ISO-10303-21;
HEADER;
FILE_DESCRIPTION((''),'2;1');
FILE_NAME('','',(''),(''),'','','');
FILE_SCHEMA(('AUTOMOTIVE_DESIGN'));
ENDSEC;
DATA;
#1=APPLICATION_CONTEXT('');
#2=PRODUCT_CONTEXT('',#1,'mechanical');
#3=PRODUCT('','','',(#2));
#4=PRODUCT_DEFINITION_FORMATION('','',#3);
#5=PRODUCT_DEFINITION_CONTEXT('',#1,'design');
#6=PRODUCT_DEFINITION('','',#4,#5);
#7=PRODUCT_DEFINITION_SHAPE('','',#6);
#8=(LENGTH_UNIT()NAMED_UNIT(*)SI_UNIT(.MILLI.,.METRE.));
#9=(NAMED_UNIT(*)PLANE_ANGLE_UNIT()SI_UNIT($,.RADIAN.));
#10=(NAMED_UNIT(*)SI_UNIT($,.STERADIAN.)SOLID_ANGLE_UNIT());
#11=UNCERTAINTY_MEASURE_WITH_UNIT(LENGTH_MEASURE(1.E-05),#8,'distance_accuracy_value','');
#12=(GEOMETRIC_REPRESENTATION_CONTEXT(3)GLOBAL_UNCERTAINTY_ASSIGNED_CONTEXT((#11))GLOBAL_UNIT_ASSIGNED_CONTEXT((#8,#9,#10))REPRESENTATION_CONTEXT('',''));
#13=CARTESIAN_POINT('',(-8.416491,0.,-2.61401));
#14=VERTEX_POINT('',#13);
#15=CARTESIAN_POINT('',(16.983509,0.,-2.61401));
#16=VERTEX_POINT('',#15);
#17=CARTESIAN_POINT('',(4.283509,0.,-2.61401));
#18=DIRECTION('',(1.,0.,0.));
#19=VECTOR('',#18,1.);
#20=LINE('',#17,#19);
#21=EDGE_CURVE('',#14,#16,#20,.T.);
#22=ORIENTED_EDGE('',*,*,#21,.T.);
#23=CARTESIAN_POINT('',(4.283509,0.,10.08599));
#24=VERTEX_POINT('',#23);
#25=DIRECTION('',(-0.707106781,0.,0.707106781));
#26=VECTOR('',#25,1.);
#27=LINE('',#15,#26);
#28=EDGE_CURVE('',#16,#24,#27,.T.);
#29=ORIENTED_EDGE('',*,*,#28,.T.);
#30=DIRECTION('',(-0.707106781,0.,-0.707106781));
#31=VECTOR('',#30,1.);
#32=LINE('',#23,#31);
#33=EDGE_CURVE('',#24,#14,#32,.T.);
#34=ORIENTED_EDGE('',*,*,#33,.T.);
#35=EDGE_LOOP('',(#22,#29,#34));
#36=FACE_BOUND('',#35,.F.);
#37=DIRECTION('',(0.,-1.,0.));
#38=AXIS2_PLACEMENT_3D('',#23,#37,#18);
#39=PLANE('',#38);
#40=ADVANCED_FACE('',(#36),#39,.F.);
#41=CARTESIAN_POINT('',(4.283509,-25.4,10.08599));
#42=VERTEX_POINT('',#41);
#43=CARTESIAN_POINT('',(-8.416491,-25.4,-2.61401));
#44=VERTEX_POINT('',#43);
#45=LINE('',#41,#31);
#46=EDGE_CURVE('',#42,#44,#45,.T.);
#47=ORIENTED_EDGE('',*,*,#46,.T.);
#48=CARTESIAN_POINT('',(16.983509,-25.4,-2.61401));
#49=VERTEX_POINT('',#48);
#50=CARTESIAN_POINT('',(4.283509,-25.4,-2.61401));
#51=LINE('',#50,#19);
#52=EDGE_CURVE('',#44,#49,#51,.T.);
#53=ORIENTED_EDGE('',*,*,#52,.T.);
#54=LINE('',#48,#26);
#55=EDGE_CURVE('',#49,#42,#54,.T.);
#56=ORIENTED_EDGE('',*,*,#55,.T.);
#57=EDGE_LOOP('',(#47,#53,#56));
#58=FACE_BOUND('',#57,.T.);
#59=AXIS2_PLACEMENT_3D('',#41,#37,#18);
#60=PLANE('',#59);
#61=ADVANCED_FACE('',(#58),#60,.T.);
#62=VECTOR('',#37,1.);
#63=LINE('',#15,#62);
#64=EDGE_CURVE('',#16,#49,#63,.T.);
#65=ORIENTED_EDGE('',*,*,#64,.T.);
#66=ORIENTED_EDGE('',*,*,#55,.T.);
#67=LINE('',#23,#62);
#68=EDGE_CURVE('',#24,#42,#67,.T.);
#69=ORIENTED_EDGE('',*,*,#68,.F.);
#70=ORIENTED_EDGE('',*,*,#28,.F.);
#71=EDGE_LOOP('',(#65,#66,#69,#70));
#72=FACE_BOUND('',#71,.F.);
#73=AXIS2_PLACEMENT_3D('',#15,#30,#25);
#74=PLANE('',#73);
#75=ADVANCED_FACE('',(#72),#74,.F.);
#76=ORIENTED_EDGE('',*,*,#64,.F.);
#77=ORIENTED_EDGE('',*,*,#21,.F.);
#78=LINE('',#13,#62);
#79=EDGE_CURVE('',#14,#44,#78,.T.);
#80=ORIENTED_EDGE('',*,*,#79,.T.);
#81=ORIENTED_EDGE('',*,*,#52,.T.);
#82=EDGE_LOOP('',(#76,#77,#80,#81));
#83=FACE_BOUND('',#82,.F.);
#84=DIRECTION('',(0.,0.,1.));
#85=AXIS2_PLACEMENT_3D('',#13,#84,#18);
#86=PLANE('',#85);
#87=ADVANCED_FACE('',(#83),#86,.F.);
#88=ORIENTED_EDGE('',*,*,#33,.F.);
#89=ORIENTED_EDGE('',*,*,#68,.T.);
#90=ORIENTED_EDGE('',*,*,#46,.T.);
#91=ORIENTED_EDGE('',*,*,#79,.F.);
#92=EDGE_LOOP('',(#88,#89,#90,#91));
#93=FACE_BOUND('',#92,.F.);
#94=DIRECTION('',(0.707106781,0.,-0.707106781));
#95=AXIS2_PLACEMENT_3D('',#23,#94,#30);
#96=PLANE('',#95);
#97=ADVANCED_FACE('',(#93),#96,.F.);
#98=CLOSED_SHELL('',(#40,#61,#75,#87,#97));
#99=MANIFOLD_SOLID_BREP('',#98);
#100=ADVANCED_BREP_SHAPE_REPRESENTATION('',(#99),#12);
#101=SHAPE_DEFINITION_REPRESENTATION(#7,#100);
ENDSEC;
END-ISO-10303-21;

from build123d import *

# Parameters (mm, degrees)
F0_W     = 25.4
F0_H     = 25.4
F1_DEPTH = 25.4
F3_DEPTH = 25.4


with BuildPart() as f1:
    # F0 (on Front) → F1 (new body)
    with BuildSketch(Plane.XZ):
        with Locations((4.283509, 10.08599)):
            Rectangle(F0_W, F0_H)
    extrude(amount=F1_DEPTH)

    # F2 (on face) → F3 (cut)
    with BuildSketch(Plane(origin=(0, 0, 0), x_dir=(-1, 0, 0), z_dir=(0, 1, 0))):
        Polygon((-16.983509, -2.61401), (-4.283509, 10.08599), (8.416491, -2.61401), (8.416491, 22.78599), (-16.983509, 22.78599), align=None)
    extrude(amount=-F3_DEPTH, mode=Mode.SUBTRACT)


solid = f1.part
